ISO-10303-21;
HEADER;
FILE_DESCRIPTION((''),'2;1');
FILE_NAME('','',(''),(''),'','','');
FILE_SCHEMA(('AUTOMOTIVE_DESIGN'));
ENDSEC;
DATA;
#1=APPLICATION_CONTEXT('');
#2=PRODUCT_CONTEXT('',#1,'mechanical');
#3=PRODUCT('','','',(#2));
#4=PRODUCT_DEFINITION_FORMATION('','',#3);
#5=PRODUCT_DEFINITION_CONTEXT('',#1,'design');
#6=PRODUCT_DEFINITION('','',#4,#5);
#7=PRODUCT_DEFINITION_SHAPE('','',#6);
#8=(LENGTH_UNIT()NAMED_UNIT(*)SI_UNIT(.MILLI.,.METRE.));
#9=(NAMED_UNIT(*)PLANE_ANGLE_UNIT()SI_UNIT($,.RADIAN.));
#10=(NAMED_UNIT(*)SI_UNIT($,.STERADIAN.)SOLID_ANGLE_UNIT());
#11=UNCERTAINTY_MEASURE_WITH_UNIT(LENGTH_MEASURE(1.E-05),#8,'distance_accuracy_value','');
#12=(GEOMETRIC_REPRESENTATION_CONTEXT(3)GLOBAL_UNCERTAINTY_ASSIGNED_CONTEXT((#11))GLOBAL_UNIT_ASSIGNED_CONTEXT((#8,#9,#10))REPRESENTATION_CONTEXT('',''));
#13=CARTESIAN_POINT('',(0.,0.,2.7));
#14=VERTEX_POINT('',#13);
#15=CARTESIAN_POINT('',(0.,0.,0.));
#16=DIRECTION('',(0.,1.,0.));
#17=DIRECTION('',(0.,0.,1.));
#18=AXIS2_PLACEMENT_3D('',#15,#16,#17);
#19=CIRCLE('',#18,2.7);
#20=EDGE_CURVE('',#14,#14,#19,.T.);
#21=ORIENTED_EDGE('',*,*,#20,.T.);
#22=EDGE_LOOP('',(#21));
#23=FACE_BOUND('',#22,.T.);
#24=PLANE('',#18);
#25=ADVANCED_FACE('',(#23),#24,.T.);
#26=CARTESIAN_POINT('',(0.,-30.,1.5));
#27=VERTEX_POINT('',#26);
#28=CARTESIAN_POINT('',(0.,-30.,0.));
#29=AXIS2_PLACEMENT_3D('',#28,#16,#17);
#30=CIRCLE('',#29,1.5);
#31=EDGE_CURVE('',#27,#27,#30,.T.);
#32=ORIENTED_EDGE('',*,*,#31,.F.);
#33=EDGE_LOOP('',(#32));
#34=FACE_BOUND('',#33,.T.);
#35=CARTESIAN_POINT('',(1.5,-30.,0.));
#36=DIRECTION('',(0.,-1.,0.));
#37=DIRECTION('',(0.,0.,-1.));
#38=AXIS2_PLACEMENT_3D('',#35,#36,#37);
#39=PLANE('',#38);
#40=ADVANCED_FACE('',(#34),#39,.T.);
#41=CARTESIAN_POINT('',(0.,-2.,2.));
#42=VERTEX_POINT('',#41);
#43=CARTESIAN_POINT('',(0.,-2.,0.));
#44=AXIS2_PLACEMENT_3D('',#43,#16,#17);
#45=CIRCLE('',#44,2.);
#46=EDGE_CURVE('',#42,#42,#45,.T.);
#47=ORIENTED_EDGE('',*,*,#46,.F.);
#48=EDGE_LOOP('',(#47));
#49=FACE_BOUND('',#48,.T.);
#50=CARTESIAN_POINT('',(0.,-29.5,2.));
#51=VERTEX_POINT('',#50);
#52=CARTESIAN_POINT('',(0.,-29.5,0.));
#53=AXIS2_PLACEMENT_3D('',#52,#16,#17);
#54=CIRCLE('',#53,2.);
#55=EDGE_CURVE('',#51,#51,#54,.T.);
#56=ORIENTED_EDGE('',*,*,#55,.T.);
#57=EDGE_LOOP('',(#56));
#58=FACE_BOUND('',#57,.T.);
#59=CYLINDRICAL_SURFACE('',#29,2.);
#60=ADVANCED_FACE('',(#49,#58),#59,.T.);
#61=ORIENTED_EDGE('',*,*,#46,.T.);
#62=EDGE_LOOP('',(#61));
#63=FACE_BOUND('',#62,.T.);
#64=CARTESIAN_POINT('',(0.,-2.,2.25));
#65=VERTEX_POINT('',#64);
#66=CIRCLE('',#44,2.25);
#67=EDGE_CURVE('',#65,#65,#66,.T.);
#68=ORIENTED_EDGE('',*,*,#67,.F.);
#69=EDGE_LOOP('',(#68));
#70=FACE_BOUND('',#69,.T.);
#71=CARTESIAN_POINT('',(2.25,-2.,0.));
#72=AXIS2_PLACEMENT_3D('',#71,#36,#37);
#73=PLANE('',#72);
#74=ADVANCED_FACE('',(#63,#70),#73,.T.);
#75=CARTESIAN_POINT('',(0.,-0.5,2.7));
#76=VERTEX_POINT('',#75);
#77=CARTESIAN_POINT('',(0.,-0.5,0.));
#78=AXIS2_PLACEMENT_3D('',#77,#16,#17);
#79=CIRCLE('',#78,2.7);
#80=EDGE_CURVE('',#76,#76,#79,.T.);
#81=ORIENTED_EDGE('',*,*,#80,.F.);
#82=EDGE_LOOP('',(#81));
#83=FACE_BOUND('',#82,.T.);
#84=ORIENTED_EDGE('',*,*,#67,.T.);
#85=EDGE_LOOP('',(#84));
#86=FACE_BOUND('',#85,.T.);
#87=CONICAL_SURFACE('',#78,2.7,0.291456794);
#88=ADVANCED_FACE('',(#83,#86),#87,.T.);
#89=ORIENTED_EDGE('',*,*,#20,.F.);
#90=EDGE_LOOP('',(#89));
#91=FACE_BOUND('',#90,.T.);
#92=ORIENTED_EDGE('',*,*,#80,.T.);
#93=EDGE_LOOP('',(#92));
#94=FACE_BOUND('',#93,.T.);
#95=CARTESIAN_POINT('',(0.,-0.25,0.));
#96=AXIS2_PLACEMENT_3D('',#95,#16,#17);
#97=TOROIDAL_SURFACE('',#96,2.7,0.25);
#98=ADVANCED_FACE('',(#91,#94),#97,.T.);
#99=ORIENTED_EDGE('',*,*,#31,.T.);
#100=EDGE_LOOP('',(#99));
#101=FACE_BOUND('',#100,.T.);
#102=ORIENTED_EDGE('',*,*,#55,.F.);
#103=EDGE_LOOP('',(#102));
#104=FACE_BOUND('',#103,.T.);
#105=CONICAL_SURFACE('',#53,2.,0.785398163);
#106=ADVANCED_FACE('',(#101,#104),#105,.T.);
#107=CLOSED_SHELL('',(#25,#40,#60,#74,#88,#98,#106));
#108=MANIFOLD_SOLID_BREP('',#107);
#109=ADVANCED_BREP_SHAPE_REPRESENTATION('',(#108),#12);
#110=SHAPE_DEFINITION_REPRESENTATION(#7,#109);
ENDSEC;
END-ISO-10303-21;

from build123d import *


with BuildPart() as part:
    # Sketch1 → Revolve1 (revolve)
    with BuildSketch(Plane(origin=(0, 0, 0), x_dir=(-1, 0, 0), z_dir=(0, 0, -1)), mode=Mode.PRIVATE) as revolve1_sk:
        with BuildLine():
            Line((-1.5, -30), (0, -30))
            Line((0, -30), (0, 0))
            Line((0, 0), (-2.7, 0))
            ThreePointArc((-2.7, 0), (-2.95, -0.25), (-2.7, -0.5))
            Line((-2.7, -0.5), (-2.25, -2))
            Line((-2.25, -2), (-2, -2))
            Line((-2, -2), (-2, -29.5))
            Line((-2, -29.5), (-1.5, -30))
        make_face()
    revolve(revolve1_sk.sketch.rotate(Axis((0, -30, 0), (0, 1, 0)), 270), axis=Axis((0, -30, 0), (0, 1, 0)))


solid = part.part
